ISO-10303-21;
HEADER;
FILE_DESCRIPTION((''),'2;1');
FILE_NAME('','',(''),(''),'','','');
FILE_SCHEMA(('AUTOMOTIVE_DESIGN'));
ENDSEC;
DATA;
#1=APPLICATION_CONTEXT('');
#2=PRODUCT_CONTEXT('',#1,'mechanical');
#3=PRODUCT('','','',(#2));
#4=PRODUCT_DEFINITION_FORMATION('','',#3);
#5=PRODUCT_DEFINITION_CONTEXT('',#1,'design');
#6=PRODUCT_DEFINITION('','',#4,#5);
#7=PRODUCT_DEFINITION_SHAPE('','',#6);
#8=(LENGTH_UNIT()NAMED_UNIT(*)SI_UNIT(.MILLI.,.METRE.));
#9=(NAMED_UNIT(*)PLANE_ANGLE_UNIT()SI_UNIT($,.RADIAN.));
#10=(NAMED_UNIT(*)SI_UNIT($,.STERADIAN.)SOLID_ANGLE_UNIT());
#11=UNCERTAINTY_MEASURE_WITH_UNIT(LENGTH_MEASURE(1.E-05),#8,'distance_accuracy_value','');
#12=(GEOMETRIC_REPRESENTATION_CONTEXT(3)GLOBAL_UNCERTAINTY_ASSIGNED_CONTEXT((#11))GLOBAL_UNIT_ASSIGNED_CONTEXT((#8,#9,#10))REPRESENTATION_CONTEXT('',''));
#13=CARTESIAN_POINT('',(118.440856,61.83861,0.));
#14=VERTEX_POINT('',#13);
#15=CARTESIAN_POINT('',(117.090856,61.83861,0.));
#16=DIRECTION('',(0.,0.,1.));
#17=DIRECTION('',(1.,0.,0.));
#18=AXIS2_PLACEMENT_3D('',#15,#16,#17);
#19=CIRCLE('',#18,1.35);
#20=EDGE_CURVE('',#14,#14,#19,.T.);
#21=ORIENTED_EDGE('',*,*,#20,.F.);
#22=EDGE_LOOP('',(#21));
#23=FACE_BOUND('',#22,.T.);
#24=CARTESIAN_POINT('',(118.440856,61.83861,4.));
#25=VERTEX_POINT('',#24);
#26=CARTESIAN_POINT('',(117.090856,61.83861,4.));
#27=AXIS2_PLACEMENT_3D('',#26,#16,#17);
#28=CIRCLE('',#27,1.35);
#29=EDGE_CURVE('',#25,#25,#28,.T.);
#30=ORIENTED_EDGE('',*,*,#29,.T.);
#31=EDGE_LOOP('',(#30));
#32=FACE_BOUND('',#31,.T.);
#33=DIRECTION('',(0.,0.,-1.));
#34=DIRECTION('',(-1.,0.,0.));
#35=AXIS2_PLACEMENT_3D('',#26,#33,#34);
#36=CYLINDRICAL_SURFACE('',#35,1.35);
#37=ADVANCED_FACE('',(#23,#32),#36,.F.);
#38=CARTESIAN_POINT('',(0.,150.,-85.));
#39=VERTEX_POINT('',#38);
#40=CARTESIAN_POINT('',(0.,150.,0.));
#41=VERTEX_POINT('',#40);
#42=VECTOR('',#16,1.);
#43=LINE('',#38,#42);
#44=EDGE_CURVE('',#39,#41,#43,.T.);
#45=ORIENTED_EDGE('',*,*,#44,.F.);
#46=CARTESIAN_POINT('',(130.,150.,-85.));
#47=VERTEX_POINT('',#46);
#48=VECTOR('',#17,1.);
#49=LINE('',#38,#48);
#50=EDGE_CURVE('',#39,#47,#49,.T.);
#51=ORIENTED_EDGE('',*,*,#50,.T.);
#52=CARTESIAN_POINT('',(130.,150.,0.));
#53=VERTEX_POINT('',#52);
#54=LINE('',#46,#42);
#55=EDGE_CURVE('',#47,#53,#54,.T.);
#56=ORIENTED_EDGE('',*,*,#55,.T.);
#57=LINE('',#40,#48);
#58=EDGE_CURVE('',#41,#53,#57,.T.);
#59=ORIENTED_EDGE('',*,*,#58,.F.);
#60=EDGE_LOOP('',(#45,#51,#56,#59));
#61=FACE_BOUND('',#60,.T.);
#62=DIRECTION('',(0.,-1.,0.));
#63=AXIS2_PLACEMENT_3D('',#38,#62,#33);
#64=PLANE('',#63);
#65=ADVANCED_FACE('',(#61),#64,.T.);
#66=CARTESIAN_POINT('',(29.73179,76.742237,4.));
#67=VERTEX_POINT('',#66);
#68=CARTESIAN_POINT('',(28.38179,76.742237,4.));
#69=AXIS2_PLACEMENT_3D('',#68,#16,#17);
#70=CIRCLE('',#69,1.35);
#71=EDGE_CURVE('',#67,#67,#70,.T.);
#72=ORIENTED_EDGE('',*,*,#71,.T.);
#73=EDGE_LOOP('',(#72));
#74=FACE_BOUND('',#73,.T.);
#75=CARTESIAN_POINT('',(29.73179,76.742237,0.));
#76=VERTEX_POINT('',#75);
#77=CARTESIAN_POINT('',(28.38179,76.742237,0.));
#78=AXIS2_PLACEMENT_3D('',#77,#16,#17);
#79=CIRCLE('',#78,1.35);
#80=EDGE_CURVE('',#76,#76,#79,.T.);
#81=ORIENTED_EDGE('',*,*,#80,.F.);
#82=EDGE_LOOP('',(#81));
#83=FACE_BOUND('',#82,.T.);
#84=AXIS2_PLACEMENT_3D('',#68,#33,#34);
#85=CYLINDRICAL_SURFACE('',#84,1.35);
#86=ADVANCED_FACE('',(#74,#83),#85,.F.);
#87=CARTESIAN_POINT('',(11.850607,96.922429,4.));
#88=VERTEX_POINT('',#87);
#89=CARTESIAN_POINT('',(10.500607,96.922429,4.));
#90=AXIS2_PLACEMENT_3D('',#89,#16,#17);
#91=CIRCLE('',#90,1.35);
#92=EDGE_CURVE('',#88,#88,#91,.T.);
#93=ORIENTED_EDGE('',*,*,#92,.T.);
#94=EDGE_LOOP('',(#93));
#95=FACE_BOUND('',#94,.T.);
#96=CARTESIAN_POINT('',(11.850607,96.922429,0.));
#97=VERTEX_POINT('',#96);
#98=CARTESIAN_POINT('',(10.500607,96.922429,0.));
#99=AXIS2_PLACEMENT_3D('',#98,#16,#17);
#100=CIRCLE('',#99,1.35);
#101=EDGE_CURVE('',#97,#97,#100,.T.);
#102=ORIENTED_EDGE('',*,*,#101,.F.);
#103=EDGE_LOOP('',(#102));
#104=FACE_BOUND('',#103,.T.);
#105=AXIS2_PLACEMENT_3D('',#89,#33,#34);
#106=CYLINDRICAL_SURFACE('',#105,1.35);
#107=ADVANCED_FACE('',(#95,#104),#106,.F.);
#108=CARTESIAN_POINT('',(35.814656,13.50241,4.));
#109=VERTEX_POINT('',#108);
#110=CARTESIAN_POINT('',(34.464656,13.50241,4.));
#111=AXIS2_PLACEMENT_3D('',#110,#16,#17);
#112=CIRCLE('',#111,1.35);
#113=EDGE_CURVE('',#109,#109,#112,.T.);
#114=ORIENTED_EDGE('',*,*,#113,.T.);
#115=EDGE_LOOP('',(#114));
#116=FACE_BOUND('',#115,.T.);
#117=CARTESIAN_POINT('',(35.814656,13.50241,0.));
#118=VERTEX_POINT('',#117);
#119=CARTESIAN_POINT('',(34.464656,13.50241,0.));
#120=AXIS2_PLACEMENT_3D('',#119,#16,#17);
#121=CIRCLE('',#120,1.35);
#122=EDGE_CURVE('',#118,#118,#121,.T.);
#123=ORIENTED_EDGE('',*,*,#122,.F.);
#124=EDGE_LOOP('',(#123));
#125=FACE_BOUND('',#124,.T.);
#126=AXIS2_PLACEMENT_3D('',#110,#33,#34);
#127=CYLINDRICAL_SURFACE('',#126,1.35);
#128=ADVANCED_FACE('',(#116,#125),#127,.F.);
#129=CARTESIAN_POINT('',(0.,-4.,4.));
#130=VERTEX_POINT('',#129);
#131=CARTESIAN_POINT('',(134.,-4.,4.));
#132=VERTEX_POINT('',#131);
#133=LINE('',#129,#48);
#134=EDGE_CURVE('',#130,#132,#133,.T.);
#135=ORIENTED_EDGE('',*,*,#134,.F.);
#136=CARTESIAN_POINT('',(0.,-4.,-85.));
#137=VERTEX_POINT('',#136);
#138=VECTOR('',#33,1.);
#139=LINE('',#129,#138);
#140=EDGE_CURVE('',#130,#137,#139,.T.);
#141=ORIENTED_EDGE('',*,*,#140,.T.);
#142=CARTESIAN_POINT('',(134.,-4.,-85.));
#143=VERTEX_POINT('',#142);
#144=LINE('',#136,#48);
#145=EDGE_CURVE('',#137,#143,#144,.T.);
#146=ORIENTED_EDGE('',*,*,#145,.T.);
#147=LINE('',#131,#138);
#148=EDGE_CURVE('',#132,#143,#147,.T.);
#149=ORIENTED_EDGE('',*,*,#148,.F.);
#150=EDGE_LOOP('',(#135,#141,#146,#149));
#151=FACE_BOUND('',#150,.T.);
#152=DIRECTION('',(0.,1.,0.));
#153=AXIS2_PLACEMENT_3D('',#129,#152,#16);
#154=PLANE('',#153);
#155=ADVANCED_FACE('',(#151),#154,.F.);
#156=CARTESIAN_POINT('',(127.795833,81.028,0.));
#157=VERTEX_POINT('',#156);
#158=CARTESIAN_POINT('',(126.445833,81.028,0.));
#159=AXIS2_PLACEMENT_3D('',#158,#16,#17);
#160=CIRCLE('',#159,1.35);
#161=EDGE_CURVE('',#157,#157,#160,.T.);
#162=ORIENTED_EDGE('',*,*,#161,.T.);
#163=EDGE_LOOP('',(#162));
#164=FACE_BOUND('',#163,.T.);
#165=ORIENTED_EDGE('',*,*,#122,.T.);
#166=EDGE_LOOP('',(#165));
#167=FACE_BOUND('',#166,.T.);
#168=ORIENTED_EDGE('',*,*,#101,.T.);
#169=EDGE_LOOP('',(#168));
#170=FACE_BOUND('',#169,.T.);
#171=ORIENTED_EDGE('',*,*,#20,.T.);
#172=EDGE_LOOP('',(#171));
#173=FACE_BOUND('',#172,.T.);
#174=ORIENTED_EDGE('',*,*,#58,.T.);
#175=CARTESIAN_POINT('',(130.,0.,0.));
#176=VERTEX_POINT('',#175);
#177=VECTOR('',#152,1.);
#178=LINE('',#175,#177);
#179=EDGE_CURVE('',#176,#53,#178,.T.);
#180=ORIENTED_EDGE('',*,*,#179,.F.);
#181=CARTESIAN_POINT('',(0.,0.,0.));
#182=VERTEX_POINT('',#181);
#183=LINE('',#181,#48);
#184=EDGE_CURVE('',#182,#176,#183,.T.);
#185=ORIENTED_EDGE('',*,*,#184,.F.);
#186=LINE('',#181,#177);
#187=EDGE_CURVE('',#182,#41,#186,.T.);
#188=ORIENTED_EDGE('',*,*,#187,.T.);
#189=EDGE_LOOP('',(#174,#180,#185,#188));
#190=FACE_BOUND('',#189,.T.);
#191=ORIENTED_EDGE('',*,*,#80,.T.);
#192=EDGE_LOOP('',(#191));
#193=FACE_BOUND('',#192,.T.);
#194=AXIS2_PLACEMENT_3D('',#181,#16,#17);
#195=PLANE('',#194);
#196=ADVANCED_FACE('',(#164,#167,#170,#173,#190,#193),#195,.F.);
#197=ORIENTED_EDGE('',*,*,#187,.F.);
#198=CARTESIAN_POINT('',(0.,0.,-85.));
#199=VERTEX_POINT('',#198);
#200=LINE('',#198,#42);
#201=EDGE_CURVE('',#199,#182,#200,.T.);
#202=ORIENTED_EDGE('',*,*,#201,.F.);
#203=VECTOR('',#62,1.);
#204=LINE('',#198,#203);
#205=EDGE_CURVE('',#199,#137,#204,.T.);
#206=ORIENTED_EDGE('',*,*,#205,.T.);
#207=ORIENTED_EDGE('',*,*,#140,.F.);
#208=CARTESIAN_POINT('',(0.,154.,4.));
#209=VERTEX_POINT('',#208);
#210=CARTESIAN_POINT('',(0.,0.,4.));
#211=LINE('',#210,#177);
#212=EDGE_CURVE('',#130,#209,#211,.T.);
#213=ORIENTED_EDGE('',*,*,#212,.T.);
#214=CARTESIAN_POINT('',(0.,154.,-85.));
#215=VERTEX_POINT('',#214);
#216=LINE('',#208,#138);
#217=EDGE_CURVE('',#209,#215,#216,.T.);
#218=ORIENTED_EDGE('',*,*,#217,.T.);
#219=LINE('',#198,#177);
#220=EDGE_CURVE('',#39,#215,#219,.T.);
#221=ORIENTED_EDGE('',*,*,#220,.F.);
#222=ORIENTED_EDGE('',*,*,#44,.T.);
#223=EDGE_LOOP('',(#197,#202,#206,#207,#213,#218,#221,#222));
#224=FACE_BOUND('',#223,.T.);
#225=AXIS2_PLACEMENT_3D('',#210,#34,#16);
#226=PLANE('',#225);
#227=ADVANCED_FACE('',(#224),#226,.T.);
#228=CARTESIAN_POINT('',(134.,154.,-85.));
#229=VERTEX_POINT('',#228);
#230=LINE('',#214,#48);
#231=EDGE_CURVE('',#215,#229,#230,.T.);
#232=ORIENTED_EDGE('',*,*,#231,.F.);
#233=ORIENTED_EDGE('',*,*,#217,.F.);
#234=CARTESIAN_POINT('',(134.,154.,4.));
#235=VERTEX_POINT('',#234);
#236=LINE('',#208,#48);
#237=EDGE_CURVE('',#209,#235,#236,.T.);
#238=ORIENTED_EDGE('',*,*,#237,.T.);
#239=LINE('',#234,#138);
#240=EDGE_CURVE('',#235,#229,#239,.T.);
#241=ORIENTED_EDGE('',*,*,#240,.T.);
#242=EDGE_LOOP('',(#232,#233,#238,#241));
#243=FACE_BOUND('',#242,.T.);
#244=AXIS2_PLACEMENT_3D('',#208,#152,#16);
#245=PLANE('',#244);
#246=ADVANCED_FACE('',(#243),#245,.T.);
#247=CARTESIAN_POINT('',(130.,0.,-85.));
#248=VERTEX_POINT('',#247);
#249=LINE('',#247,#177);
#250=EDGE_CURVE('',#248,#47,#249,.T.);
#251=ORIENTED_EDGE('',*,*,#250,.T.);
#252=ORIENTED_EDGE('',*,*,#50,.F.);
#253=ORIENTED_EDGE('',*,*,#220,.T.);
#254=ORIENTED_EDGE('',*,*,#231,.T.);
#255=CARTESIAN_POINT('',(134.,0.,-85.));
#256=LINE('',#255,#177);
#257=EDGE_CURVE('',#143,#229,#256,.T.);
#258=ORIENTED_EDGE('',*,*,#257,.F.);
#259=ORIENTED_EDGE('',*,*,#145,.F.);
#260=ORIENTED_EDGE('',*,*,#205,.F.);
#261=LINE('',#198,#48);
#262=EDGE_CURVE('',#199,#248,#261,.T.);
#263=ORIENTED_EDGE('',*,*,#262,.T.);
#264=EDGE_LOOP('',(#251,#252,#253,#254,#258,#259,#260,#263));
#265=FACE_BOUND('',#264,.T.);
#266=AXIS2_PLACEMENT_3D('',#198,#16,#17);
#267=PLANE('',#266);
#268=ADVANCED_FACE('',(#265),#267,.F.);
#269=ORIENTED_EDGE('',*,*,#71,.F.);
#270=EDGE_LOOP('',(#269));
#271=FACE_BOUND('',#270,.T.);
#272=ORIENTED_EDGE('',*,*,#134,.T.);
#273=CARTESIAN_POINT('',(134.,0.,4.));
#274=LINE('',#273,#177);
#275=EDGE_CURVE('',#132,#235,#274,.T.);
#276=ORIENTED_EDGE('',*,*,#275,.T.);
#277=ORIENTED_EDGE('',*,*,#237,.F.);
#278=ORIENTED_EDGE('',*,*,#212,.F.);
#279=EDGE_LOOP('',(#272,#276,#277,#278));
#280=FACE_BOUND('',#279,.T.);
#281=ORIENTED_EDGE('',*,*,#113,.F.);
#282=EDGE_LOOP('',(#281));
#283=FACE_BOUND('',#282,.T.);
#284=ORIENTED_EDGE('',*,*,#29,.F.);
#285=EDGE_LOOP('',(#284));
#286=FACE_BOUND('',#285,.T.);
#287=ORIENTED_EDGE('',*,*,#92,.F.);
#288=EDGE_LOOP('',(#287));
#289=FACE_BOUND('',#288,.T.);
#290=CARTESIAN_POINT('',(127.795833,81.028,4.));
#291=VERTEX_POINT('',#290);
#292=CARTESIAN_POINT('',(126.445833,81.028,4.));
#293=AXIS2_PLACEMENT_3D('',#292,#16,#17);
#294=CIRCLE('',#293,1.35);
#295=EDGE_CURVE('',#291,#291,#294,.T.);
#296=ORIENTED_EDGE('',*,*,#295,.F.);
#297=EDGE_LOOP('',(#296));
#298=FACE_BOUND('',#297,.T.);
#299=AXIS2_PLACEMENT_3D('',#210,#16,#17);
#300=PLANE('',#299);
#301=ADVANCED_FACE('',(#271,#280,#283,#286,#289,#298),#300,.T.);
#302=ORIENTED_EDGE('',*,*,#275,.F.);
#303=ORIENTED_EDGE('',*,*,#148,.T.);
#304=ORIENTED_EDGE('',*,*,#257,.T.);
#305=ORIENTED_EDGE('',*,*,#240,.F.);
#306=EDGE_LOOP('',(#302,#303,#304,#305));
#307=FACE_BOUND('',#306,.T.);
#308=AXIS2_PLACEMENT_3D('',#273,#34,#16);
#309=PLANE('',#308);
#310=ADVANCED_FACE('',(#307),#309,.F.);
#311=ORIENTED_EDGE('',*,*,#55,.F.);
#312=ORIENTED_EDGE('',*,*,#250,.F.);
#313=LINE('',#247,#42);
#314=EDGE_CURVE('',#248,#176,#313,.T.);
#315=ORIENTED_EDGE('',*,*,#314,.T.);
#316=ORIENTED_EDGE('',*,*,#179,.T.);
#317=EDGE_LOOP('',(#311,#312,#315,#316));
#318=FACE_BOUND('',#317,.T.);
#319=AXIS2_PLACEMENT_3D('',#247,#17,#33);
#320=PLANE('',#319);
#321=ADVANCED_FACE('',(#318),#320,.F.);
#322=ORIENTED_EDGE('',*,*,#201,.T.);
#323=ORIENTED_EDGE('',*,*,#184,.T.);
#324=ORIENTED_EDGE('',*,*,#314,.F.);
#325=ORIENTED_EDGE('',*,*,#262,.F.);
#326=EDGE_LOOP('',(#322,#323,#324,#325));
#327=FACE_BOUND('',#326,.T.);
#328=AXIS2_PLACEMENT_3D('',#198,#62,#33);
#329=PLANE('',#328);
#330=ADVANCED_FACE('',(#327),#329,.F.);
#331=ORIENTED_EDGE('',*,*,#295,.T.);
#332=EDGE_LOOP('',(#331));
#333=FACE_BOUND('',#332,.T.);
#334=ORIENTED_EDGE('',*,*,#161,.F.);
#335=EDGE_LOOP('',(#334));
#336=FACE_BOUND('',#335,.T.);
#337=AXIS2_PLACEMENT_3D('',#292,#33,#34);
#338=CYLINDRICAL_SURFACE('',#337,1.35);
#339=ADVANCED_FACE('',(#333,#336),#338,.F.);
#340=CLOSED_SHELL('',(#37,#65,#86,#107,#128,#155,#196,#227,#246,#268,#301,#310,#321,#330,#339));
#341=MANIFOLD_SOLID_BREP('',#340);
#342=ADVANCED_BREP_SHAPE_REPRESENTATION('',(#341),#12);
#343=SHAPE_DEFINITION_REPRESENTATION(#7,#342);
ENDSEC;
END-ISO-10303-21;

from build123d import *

# Parameters (mm, degrees)
SKELETON_W          = 134
SKELETON_H          = 158
SKELETON_R          = 1.35
BOSS_EXTRUDE1_DEPTH = 4
BOSS_EXTRUDE2_START = -85
BOSS_EXTRUDE2_DEPTH = 85


with BuildPart() as part:
    # SKELETON → Boss-Extrude1 (new body)
    with BuildSketch(Plane.XY):
        with Locations((67, 75)):
            Rectangle(SKELETON_W, SKELETON_H)
        with Locations((28.381789687, 76.742237148)):
            Circle(SKELETON_R, mode=Mode.SUBTRACT)
        with Locations((10.500607165, 96.922428852)):
            Circle(SKELETON_R, mode=Mode.SUBTRACT)
        with Locations((126.445833013, 81.02799961)):
            Circle(SKELETON_R, mode=Mode.SUBTRACT)
        with Locations((34.46465583, 13.502410031)):
            Circle(SKELETON_R, mode=Mode.SUBTRACT)
        with Locations((117.09085583, 61.838610031)):
            Circle(SKELETON_R, mode=Mode.SUBTRACT)
    extrude(amount=BOSS_EXTRUDE1_DEPTH)

    # SKELETON<3> → Boss-Extrude2 (add)
    with BuildSketch(Plane.XY.offset(BOSS_EXTRUDE2_START)):
        Polygon((134, 154), (0, 154), (0, 150), (130, 150), (130, 0), (0, 0), (0, -4), (134, -4), align=None)
    extrude(amount=BOSS_EXTRUDE2_DEPTH)


solid = part.part
